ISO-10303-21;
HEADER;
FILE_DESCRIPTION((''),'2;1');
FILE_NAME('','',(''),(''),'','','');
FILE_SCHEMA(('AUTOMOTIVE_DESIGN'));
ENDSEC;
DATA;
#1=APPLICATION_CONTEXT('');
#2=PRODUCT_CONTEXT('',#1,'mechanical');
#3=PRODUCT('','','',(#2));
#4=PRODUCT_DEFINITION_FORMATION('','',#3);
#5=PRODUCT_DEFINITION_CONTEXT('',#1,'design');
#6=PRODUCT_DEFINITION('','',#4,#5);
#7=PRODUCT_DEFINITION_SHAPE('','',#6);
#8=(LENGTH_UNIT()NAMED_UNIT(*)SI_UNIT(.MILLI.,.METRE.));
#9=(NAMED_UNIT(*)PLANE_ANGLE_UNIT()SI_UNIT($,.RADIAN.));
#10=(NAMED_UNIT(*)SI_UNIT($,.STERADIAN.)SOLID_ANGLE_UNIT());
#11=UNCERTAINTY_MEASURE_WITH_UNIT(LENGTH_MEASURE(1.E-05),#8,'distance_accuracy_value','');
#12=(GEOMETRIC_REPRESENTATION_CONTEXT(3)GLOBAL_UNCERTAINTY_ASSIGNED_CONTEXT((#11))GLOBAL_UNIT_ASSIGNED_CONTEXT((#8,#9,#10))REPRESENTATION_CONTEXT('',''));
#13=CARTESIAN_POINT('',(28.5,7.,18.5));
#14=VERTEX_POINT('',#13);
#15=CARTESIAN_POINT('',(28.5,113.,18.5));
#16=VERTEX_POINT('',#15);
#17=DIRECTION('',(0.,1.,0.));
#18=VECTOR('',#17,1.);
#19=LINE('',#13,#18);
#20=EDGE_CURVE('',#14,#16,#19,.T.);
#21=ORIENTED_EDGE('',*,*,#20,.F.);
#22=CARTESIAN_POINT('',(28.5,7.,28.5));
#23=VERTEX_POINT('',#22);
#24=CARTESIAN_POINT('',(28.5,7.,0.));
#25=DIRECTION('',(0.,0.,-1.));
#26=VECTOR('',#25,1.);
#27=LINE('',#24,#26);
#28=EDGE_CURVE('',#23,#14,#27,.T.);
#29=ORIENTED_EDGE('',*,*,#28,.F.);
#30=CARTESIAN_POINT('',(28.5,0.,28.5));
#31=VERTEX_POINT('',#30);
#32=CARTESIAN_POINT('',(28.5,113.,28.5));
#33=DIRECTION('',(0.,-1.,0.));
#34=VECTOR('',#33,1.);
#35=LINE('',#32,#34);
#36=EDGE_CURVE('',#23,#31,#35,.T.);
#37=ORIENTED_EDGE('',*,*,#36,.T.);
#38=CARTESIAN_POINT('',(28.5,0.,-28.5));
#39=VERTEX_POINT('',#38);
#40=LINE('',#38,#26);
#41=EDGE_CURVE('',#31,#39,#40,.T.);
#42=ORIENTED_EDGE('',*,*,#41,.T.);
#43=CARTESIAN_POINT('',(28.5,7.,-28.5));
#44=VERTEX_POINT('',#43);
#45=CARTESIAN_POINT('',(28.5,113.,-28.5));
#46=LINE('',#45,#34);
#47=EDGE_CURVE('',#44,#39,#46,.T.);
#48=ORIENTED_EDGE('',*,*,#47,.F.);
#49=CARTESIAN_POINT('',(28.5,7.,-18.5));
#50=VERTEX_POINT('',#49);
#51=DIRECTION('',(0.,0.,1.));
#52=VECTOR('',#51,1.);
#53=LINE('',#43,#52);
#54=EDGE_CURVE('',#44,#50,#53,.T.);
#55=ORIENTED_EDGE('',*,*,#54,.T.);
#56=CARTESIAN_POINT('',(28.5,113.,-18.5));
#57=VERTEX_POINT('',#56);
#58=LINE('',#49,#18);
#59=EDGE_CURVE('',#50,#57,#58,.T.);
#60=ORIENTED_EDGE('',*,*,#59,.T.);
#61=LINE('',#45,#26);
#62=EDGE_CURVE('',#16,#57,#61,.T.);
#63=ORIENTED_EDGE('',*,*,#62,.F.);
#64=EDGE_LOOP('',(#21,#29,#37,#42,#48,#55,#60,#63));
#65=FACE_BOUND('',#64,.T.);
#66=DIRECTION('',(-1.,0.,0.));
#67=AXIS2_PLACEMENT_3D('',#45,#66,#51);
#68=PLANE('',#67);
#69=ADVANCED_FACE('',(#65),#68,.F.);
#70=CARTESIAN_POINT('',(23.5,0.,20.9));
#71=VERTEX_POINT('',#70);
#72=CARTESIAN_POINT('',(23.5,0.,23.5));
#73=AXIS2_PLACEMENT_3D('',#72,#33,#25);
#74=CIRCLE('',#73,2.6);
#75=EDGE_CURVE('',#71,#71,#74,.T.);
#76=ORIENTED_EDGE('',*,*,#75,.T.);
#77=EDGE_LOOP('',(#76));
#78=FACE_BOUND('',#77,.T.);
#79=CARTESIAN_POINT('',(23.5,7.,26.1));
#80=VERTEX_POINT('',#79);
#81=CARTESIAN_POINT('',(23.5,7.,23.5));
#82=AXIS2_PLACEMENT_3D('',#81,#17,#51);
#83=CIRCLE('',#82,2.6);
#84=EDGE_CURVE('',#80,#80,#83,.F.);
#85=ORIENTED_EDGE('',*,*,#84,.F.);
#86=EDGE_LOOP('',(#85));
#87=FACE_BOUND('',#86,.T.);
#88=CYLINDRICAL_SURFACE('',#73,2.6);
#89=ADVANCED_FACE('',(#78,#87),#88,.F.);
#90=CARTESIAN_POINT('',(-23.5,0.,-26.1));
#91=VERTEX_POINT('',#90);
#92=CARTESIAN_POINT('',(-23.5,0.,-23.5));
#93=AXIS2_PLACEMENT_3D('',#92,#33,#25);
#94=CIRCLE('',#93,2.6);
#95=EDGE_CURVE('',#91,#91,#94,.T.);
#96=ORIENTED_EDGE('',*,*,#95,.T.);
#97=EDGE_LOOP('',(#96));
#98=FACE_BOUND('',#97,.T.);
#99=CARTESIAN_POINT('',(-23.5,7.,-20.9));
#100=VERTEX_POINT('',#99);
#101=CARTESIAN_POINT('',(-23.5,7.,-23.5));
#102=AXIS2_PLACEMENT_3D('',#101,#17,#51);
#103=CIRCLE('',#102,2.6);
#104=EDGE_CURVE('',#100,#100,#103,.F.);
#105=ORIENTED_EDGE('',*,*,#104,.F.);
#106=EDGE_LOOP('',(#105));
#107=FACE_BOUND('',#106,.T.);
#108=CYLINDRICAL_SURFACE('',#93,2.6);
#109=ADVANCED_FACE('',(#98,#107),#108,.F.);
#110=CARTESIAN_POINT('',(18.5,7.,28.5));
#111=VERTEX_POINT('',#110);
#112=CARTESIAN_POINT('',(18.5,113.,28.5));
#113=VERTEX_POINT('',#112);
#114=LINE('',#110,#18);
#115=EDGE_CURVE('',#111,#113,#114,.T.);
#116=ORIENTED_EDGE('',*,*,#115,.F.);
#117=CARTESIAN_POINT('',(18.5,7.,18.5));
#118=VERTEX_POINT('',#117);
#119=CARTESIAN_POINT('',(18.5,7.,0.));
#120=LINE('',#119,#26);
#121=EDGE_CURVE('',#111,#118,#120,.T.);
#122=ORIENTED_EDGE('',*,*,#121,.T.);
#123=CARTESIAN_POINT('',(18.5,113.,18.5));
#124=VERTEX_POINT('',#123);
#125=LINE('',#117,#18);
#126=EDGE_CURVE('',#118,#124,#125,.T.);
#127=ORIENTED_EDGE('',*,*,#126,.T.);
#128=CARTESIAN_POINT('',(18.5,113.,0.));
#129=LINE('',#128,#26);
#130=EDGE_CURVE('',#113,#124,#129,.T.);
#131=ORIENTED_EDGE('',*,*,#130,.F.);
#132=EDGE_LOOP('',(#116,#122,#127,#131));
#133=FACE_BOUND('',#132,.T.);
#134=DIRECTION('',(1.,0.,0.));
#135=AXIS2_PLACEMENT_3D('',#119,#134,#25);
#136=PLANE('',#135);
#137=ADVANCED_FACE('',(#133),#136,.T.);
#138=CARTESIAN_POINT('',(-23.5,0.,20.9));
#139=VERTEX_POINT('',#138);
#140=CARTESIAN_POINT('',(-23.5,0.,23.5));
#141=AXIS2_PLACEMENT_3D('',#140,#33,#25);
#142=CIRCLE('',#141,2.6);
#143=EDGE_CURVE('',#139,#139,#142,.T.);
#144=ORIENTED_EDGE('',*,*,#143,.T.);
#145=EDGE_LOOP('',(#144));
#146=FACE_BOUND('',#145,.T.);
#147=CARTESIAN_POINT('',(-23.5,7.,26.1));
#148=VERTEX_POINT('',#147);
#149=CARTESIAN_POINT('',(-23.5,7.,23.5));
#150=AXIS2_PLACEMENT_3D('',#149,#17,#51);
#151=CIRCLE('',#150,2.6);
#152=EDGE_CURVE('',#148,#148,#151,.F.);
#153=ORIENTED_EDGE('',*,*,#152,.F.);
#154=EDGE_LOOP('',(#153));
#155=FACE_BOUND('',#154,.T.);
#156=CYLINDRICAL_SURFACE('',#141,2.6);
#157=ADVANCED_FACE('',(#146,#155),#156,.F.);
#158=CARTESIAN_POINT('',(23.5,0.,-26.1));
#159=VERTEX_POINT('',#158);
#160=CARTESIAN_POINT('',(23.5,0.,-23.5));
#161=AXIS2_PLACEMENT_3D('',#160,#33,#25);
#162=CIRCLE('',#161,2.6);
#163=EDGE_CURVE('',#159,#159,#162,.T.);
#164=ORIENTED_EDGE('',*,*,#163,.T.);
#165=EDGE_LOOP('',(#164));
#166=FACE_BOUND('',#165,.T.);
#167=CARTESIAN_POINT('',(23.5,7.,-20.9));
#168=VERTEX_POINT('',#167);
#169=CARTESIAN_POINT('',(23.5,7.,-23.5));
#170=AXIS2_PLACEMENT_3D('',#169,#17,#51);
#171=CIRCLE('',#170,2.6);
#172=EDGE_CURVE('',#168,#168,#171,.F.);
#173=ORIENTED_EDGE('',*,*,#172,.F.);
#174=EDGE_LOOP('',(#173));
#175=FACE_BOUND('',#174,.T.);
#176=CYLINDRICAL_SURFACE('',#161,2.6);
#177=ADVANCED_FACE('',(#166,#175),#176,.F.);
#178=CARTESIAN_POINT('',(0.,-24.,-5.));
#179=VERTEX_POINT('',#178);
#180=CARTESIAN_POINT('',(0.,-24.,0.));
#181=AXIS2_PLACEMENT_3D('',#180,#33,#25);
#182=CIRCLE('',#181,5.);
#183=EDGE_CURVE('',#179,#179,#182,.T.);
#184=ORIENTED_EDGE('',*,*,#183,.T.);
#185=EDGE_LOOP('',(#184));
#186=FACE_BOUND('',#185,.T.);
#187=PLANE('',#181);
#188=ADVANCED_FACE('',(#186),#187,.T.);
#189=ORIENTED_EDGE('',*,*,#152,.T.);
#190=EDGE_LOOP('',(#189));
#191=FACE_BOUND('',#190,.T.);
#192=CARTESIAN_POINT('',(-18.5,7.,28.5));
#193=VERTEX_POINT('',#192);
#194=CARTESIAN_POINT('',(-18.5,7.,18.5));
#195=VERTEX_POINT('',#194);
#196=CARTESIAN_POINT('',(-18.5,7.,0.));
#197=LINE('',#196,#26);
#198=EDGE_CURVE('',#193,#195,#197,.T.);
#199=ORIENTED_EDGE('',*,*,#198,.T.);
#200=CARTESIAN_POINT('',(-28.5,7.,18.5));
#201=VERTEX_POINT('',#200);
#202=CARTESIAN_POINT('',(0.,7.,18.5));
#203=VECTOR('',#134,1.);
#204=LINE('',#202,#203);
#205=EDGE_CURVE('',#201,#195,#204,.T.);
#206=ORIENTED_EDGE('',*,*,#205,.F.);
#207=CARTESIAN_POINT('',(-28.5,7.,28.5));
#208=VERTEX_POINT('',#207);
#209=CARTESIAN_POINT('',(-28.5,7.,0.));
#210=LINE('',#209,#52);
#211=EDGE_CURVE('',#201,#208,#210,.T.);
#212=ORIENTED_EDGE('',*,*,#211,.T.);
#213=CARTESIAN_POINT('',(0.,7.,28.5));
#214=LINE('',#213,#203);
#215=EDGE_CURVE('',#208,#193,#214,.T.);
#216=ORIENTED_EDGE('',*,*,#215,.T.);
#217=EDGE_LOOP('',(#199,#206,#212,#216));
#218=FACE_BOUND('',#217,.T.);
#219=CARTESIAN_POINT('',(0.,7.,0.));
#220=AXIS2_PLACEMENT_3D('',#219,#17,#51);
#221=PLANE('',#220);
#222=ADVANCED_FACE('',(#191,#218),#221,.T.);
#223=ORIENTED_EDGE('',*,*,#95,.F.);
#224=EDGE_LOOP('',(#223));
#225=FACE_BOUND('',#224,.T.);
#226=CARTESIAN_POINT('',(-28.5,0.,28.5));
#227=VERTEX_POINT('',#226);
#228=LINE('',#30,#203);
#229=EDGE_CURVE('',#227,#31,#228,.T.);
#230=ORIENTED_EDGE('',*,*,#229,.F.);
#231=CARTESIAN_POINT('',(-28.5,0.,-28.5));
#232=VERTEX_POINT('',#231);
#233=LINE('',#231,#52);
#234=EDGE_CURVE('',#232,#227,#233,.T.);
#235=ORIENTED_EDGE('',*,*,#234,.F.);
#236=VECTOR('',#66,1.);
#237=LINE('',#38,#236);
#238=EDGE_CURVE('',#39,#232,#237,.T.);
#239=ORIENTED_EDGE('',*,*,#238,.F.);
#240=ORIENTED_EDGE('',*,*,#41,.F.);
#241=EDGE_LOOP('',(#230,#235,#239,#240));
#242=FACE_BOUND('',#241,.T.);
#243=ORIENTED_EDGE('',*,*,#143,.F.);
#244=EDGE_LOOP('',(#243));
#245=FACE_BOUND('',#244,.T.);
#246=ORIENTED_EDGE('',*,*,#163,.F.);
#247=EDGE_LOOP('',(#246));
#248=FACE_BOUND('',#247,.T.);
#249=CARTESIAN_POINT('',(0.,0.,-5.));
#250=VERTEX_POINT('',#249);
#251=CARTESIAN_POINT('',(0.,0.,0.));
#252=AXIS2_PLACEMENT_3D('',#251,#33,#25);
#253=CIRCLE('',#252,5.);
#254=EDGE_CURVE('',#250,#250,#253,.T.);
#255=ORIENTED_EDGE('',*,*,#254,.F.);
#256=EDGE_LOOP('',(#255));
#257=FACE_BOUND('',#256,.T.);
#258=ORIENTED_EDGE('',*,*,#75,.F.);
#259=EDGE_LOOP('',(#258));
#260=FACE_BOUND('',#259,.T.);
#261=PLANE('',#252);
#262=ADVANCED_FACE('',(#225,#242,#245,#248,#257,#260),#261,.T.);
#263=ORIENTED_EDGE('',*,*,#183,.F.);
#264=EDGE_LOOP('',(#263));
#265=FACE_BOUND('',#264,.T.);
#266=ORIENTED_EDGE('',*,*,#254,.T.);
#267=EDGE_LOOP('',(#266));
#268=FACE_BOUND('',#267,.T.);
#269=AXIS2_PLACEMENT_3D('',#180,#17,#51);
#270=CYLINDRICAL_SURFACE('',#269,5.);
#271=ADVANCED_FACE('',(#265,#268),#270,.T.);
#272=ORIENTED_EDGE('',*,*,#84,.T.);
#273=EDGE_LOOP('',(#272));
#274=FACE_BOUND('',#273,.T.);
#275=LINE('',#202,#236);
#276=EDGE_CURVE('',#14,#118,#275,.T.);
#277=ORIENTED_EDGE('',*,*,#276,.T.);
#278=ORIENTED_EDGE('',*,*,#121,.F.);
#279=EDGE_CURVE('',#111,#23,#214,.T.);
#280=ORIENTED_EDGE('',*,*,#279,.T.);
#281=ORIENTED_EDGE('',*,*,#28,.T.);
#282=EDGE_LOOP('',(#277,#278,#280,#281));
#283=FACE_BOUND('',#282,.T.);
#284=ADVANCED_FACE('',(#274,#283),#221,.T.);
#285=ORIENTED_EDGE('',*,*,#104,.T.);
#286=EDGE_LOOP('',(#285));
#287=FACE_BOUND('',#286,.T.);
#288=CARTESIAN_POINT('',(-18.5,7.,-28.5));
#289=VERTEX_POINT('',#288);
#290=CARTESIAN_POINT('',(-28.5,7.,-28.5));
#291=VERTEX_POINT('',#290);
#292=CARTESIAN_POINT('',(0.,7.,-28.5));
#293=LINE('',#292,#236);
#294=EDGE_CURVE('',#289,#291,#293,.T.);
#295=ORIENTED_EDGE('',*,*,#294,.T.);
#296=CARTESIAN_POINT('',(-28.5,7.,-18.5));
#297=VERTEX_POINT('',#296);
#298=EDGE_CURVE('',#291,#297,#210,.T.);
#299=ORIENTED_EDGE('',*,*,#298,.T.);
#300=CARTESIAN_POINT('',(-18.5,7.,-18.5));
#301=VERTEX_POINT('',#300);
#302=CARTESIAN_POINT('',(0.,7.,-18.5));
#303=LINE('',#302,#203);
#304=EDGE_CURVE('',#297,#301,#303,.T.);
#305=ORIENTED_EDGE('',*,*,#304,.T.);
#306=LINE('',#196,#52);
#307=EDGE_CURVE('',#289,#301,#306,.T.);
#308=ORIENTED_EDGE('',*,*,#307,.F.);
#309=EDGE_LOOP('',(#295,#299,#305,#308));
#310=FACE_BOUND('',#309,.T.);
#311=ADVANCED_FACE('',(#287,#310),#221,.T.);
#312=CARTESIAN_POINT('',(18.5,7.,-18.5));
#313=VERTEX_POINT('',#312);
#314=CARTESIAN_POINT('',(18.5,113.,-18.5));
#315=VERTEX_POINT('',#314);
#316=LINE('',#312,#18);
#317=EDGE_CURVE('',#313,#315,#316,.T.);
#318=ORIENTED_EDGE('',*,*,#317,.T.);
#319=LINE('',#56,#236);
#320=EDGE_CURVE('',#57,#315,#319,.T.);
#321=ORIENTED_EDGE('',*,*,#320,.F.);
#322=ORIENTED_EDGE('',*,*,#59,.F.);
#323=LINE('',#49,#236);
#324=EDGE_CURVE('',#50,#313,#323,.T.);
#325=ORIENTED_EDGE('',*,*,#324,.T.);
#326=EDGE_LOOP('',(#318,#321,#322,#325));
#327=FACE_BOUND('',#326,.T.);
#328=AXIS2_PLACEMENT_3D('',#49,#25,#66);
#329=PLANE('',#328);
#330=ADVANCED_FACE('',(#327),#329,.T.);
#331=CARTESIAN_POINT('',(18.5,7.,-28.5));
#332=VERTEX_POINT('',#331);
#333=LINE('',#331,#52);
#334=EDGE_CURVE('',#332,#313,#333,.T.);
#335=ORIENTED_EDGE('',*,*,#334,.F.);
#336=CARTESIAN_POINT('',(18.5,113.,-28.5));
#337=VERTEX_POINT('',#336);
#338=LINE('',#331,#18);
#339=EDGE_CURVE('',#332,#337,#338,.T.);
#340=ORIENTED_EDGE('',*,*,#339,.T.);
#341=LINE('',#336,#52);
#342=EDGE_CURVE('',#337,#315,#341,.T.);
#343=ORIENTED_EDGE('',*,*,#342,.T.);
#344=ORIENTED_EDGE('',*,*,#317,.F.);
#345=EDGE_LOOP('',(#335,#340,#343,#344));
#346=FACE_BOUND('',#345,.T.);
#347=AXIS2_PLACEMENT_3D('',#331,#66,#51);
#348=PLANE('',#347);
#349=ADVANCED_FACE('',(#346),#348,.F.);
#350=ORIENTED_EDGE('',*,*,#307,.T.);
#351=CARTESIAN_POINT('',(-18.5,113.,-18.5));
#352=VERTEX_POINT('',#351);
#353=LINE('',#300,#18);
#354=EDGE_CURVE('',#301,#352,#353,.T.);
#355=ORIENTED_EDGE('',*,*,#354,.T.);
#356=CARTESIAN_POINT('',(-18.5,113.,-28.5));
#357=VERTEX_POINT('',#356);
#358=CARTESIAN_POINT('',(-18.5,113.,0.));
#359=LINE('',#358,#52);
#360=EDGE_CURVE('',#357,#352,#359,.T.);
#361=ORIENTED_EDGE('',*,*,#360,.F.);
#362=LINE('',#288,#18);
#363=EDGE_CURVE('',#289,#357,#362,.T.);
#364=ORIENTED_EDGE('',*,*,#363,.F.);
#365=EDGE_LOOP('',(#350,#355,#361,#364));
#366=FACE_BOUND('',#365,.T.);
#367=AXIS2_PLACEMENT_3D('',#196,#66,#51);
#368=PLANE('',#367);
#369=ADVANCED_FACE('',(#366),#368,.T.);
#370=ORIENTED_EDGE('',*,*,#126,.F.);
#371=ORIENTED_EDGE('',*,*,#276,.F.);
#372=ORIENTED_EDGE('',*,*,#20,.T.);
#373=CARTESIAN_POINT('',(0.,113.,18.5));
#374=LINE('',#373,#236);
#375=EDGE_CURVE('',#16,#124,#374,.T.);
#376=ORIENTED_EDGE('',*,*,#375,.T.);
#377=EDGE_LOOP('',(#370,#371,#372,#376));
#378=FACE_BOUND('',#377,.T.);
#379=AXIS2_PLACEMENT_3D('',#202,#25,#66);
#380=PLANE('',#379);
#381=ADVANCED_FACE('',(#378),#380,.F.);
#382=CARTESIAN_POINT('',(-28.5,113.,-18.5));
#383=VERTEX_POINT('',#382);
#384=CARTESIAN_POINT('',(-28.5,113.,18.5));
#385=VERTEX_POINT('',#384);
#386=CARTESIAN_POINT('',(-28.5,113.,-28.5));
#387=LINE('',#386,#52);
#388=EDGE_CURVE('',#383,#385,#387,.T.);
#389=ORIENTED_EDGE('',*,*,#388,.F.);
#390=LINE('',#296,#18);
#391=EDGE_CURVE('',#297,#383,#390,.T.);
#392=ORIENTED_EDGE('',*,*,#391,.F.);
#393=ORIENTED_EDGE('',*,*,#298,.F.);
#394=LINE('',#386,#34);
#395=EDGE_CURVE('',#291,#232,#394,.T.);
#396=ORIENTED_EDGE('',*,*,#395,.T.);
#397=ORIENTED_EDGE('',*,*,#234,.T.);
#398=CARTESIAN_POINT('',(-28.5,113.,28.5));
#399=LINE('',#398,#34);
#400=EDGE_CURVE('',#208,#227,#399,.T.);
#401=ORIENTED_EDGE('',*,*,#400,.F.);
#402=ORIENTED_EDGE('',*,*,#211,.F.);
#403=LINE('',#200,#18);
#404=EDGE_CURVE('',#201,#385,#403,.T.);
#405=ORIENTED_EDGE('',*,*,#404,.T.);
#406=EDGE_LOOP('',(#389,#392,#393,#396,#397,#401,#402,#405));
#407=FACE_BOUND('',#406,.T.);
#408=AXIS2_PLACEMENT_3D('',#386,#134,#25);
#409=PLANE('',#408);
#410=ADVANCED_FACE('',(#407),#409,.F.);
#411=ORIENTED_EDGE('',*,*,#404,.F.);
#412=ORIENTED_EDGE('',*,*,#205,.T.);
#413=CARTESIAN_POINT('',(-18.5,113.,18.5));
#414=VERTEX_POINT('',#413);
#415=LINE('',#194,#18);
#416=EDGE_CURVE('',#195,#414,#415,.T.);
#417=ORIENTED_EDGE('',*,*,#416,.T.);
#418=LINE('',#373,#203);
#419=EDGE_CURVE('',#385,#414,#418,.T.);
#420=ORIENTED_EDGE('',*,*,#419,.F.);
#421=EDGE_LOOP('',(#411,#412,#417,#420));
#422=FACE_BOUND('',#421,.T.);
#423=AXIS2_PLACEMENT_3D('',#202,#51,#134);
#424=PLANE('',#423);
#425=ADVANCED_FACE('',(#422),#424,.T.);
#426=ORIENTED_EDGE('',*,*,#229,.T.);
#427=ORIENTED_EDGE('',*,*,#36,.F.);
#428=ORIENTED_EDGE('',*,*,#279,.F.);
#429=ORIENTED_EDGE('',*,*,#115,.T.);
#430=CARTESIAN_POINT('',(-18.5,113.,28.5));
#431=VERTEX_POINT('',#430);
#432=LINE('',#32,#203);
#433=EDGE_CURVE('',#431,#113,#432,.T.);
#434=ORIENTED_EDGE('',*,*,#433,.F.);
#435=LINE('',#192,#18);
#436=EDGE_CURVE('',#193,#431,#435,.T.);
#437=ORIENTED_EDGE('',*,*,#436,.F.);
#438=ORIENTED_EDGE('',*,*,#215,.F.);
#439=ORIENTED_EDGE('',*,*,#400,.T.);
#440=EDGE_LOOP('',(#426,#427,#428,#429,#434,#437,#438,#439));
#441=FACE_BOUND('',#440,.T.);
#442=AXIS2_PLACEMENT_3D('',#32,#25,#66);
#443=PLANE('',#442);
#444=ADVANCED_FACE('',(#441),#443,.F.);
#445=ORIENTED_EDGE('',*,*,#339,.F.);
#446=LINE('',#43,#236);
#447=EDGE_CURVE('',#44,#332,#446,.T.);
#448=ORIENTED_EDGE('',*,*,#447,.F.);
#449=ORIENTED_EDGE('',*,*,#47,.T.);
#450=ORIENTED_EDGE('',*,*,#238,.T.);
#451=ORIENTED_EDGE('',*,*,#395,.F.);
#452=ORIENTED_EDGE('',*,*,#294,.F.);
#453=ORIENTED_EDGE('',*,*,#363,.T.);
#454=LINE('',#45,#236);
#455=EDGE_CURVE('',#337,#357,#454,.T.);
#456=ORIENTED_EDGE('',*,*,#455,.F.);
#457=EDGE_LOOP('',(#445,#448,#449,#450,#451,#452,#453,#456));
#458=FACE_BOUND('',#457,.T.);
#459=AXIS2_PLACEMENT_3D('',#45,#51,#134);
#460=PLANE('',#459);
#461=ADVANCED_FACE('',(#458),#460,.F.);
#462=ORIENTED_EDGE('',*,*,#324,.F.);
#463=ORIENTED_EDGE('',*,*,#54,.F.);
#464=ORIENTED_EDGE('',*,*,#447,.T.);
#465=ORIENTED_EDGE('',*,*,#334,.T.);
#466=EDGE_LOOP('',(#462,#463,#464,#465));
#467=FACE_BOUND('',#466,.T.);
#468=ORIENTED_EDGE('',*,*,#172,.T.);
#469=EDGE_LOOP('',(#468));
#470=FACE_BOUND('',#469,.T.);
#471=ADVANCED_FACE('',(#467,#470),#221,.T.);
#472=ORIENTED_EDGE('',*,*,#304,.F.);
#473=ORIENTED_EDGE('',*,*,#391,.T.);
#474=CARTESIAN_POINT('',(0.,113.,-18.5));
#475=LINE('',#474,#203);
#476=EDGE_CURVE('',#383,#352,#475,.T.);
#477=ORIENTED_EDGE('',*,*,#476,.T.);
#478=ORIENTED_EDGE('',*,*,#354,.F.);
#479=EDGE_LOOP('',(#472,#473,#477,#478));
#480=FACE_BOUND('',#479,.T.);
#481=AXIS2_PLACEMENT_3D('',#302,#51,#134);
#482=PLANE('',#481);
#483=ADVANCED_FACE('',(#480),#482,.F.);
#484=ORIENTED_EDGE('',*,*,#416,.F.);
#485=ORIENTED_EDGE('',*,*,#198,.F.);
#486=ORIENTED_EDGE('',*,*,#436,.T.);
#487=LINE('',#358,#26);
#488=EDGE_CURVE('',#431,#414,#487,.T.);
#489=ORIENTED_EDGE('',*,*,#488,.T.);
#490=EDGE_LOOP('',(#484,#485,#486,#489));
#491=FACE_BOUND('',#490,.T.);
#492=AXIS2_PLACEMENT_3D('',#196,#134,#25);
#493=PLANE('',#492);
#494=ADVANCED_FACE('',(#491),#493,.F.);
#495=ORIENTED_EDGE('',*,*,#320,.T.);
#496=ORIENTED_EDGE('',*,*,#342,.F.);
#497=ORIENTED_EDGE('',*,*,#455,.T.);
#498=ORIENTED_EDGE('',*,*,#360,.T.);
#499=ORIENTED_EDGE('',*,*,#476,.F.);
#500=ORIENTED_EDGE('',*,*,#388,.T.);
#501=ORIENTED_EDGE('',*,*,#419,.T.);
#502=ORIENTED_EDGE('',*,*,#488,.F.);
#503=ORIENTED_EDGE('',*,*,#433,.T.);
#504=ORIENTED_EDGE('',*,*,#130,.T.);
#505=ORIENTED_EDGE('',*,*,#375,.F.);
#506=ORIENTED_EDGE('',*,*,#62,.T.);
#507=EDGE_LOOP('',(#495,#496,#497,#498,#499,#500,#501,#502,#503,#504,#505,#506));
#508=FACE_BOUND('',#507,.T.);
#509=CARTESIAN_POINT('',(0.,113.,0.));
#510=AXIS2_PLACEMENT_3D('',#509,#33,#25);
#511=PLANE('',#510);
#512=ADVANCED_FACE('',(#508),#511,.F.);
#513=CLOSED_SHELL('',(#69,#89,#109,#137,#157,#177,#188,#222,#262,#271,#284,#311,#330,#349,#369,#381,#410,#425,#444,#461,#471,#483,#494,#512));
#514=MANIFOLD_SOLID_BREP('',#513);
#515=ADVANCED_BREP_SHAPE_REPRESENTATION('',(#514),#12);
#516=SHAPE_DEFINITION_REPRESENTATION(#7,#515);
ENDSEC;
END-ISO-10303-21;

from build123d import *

# Parameters (mm, degrees)
CROQUIS1_W                   = 57
CROQUIS1_H                   = 57
SALIENTE_EXTRUIR1_DEPTH      = 113
CROQUIS2_R                   = 5
SALIENTE_EXTRUIR2_DEPTH      = 24
TALADRO_DE_MARGEN_PARA_M51_D = 5.2
CROQUIS8_W                   = 10
CROQUIS8_H                   = 10
CROQUIS8_R                   = 2.6
CORTAR_EXTRUIR1_DEPTH        = 106


with BuildPart() as part:
    # Croquis1 → Saliente-Extruir1 (new body)
    with BuildSketch(Plane(origin=(0, 0, 0), x_dir=(1, 0, 0), z_dir=(0, 1, 0))):
        Rectangle(CROQUIS1_W, CROQUIS1_H)
    extrude(amount=SALIENTE_EXTRUIR1_DEPTH)

    # Croquis2 → Saliente-Extruir2 (add)
    with BuildSketch(Plane(origin=(0, 0, 0), x_dir=(-1, 0, 0), z_dir=(0, -1, 0))):
        with Locations(Location((0, 0, 0), (0, 0, 90))):
            Circle(CROQUIS2_R)
    extrude(amount=SALIENTE_EXTRUIR2_DEPTH)

    # Taladro de margen para M51 (through all)
    with Locations(Plane(origin=(0, 0, 0), x_dir=(-1, 0, 0), z_dir=(0, -1, 0))):
        with Locations((23.5, -23.5), (-23.5, -23.5), (-23.5, 23.5), (23.5, 23.5)):
            Hole(TALADRO_DE_MARGEN_PARA_M51_D / 2)

    # Croquis8 → Cortar-Extruir1 (cut)
    # profile 1 of 6: a face of its own
    with BuildSketch(Plane(origin=(0, 113, 0), x_dir=(1, 0, 0), z_dir=(0, 1, 0))):
        with Locations((-23.5, -23.5)):
            Rectangle(CROQUIS8_W, CROQUIS8_H)
        with Locations(Location((-23.5, -23.5, 0), (0, 0, 90))):
            Circle(CROQUIS8_R, mode=Mode.SUBTRACT)
    # profile 2 of 6: a face of its own
    with BuildSketch(Plane(origin=(0, 113, 0), x_dir=(1, 0, 0), z_dir=(0, 1, 0))):
        with Locations((23.5, -23.5)):
            Rectangle(CROQUIS8_W, CROQUIS8_H)
        with Locations(Location((23.5, -23.5, 0), (0, 0, 90))):
            Circle(CROQUIS8_R, mode=Mode.SUBTRACT)
    # profile 3 of 6: a face of its own
    with BuildSketch(Plane(origin=(0, 113, 0), x_dir=(1, 0, 0), z_dir=(0, 1, 0))):
        with Locations(Location((23.5, -23.5, 0), (0, 0, 90))):
            Circle(CROQUIS8_R)
    # profile 4 of 6: a face of its own
    with BuildSketch(Plane(origin=(0, 113, 0), x_dir=(1, 0, 0), z_dir=(0, 1, 0))):
        with Locations((-23.5, 23.5)):
            Rectangle(CROQUIS8_W, CROQUIS8_H)
        with Locations(Location((-23.5, 23.5, 0), (0, 0, 90))):
            Circle(CROQUIS8_R, mode=Mode.SUBTRACT)
    # profile 5 of 6: a face of its own
    with BuildSketch(Plane(origin=(0, 113, 0), x_dir=(1, 0, 0), z_dir=(0, 1, 0))):
        with Locations(Location((-23.5, 23.5, 0), (0, 0, 90))):
            Circle(CROQUIS8_R)
    # profile 6 of 6: a face of its own
    with BuildSketch(Plane(origin=(0, 113, 0), x_dir=(1, 0, 0), z_dir=(0, 1, 0))):
        with Locations((23.5, 23.5)):
            Rectangle(CROQUIS8_W, CROQUIS8_H)
    extrude(amount=-CORTAR_EXTRUIR1_DEPTH, mode=Mode.SUBTRACT)


solid = part.part
